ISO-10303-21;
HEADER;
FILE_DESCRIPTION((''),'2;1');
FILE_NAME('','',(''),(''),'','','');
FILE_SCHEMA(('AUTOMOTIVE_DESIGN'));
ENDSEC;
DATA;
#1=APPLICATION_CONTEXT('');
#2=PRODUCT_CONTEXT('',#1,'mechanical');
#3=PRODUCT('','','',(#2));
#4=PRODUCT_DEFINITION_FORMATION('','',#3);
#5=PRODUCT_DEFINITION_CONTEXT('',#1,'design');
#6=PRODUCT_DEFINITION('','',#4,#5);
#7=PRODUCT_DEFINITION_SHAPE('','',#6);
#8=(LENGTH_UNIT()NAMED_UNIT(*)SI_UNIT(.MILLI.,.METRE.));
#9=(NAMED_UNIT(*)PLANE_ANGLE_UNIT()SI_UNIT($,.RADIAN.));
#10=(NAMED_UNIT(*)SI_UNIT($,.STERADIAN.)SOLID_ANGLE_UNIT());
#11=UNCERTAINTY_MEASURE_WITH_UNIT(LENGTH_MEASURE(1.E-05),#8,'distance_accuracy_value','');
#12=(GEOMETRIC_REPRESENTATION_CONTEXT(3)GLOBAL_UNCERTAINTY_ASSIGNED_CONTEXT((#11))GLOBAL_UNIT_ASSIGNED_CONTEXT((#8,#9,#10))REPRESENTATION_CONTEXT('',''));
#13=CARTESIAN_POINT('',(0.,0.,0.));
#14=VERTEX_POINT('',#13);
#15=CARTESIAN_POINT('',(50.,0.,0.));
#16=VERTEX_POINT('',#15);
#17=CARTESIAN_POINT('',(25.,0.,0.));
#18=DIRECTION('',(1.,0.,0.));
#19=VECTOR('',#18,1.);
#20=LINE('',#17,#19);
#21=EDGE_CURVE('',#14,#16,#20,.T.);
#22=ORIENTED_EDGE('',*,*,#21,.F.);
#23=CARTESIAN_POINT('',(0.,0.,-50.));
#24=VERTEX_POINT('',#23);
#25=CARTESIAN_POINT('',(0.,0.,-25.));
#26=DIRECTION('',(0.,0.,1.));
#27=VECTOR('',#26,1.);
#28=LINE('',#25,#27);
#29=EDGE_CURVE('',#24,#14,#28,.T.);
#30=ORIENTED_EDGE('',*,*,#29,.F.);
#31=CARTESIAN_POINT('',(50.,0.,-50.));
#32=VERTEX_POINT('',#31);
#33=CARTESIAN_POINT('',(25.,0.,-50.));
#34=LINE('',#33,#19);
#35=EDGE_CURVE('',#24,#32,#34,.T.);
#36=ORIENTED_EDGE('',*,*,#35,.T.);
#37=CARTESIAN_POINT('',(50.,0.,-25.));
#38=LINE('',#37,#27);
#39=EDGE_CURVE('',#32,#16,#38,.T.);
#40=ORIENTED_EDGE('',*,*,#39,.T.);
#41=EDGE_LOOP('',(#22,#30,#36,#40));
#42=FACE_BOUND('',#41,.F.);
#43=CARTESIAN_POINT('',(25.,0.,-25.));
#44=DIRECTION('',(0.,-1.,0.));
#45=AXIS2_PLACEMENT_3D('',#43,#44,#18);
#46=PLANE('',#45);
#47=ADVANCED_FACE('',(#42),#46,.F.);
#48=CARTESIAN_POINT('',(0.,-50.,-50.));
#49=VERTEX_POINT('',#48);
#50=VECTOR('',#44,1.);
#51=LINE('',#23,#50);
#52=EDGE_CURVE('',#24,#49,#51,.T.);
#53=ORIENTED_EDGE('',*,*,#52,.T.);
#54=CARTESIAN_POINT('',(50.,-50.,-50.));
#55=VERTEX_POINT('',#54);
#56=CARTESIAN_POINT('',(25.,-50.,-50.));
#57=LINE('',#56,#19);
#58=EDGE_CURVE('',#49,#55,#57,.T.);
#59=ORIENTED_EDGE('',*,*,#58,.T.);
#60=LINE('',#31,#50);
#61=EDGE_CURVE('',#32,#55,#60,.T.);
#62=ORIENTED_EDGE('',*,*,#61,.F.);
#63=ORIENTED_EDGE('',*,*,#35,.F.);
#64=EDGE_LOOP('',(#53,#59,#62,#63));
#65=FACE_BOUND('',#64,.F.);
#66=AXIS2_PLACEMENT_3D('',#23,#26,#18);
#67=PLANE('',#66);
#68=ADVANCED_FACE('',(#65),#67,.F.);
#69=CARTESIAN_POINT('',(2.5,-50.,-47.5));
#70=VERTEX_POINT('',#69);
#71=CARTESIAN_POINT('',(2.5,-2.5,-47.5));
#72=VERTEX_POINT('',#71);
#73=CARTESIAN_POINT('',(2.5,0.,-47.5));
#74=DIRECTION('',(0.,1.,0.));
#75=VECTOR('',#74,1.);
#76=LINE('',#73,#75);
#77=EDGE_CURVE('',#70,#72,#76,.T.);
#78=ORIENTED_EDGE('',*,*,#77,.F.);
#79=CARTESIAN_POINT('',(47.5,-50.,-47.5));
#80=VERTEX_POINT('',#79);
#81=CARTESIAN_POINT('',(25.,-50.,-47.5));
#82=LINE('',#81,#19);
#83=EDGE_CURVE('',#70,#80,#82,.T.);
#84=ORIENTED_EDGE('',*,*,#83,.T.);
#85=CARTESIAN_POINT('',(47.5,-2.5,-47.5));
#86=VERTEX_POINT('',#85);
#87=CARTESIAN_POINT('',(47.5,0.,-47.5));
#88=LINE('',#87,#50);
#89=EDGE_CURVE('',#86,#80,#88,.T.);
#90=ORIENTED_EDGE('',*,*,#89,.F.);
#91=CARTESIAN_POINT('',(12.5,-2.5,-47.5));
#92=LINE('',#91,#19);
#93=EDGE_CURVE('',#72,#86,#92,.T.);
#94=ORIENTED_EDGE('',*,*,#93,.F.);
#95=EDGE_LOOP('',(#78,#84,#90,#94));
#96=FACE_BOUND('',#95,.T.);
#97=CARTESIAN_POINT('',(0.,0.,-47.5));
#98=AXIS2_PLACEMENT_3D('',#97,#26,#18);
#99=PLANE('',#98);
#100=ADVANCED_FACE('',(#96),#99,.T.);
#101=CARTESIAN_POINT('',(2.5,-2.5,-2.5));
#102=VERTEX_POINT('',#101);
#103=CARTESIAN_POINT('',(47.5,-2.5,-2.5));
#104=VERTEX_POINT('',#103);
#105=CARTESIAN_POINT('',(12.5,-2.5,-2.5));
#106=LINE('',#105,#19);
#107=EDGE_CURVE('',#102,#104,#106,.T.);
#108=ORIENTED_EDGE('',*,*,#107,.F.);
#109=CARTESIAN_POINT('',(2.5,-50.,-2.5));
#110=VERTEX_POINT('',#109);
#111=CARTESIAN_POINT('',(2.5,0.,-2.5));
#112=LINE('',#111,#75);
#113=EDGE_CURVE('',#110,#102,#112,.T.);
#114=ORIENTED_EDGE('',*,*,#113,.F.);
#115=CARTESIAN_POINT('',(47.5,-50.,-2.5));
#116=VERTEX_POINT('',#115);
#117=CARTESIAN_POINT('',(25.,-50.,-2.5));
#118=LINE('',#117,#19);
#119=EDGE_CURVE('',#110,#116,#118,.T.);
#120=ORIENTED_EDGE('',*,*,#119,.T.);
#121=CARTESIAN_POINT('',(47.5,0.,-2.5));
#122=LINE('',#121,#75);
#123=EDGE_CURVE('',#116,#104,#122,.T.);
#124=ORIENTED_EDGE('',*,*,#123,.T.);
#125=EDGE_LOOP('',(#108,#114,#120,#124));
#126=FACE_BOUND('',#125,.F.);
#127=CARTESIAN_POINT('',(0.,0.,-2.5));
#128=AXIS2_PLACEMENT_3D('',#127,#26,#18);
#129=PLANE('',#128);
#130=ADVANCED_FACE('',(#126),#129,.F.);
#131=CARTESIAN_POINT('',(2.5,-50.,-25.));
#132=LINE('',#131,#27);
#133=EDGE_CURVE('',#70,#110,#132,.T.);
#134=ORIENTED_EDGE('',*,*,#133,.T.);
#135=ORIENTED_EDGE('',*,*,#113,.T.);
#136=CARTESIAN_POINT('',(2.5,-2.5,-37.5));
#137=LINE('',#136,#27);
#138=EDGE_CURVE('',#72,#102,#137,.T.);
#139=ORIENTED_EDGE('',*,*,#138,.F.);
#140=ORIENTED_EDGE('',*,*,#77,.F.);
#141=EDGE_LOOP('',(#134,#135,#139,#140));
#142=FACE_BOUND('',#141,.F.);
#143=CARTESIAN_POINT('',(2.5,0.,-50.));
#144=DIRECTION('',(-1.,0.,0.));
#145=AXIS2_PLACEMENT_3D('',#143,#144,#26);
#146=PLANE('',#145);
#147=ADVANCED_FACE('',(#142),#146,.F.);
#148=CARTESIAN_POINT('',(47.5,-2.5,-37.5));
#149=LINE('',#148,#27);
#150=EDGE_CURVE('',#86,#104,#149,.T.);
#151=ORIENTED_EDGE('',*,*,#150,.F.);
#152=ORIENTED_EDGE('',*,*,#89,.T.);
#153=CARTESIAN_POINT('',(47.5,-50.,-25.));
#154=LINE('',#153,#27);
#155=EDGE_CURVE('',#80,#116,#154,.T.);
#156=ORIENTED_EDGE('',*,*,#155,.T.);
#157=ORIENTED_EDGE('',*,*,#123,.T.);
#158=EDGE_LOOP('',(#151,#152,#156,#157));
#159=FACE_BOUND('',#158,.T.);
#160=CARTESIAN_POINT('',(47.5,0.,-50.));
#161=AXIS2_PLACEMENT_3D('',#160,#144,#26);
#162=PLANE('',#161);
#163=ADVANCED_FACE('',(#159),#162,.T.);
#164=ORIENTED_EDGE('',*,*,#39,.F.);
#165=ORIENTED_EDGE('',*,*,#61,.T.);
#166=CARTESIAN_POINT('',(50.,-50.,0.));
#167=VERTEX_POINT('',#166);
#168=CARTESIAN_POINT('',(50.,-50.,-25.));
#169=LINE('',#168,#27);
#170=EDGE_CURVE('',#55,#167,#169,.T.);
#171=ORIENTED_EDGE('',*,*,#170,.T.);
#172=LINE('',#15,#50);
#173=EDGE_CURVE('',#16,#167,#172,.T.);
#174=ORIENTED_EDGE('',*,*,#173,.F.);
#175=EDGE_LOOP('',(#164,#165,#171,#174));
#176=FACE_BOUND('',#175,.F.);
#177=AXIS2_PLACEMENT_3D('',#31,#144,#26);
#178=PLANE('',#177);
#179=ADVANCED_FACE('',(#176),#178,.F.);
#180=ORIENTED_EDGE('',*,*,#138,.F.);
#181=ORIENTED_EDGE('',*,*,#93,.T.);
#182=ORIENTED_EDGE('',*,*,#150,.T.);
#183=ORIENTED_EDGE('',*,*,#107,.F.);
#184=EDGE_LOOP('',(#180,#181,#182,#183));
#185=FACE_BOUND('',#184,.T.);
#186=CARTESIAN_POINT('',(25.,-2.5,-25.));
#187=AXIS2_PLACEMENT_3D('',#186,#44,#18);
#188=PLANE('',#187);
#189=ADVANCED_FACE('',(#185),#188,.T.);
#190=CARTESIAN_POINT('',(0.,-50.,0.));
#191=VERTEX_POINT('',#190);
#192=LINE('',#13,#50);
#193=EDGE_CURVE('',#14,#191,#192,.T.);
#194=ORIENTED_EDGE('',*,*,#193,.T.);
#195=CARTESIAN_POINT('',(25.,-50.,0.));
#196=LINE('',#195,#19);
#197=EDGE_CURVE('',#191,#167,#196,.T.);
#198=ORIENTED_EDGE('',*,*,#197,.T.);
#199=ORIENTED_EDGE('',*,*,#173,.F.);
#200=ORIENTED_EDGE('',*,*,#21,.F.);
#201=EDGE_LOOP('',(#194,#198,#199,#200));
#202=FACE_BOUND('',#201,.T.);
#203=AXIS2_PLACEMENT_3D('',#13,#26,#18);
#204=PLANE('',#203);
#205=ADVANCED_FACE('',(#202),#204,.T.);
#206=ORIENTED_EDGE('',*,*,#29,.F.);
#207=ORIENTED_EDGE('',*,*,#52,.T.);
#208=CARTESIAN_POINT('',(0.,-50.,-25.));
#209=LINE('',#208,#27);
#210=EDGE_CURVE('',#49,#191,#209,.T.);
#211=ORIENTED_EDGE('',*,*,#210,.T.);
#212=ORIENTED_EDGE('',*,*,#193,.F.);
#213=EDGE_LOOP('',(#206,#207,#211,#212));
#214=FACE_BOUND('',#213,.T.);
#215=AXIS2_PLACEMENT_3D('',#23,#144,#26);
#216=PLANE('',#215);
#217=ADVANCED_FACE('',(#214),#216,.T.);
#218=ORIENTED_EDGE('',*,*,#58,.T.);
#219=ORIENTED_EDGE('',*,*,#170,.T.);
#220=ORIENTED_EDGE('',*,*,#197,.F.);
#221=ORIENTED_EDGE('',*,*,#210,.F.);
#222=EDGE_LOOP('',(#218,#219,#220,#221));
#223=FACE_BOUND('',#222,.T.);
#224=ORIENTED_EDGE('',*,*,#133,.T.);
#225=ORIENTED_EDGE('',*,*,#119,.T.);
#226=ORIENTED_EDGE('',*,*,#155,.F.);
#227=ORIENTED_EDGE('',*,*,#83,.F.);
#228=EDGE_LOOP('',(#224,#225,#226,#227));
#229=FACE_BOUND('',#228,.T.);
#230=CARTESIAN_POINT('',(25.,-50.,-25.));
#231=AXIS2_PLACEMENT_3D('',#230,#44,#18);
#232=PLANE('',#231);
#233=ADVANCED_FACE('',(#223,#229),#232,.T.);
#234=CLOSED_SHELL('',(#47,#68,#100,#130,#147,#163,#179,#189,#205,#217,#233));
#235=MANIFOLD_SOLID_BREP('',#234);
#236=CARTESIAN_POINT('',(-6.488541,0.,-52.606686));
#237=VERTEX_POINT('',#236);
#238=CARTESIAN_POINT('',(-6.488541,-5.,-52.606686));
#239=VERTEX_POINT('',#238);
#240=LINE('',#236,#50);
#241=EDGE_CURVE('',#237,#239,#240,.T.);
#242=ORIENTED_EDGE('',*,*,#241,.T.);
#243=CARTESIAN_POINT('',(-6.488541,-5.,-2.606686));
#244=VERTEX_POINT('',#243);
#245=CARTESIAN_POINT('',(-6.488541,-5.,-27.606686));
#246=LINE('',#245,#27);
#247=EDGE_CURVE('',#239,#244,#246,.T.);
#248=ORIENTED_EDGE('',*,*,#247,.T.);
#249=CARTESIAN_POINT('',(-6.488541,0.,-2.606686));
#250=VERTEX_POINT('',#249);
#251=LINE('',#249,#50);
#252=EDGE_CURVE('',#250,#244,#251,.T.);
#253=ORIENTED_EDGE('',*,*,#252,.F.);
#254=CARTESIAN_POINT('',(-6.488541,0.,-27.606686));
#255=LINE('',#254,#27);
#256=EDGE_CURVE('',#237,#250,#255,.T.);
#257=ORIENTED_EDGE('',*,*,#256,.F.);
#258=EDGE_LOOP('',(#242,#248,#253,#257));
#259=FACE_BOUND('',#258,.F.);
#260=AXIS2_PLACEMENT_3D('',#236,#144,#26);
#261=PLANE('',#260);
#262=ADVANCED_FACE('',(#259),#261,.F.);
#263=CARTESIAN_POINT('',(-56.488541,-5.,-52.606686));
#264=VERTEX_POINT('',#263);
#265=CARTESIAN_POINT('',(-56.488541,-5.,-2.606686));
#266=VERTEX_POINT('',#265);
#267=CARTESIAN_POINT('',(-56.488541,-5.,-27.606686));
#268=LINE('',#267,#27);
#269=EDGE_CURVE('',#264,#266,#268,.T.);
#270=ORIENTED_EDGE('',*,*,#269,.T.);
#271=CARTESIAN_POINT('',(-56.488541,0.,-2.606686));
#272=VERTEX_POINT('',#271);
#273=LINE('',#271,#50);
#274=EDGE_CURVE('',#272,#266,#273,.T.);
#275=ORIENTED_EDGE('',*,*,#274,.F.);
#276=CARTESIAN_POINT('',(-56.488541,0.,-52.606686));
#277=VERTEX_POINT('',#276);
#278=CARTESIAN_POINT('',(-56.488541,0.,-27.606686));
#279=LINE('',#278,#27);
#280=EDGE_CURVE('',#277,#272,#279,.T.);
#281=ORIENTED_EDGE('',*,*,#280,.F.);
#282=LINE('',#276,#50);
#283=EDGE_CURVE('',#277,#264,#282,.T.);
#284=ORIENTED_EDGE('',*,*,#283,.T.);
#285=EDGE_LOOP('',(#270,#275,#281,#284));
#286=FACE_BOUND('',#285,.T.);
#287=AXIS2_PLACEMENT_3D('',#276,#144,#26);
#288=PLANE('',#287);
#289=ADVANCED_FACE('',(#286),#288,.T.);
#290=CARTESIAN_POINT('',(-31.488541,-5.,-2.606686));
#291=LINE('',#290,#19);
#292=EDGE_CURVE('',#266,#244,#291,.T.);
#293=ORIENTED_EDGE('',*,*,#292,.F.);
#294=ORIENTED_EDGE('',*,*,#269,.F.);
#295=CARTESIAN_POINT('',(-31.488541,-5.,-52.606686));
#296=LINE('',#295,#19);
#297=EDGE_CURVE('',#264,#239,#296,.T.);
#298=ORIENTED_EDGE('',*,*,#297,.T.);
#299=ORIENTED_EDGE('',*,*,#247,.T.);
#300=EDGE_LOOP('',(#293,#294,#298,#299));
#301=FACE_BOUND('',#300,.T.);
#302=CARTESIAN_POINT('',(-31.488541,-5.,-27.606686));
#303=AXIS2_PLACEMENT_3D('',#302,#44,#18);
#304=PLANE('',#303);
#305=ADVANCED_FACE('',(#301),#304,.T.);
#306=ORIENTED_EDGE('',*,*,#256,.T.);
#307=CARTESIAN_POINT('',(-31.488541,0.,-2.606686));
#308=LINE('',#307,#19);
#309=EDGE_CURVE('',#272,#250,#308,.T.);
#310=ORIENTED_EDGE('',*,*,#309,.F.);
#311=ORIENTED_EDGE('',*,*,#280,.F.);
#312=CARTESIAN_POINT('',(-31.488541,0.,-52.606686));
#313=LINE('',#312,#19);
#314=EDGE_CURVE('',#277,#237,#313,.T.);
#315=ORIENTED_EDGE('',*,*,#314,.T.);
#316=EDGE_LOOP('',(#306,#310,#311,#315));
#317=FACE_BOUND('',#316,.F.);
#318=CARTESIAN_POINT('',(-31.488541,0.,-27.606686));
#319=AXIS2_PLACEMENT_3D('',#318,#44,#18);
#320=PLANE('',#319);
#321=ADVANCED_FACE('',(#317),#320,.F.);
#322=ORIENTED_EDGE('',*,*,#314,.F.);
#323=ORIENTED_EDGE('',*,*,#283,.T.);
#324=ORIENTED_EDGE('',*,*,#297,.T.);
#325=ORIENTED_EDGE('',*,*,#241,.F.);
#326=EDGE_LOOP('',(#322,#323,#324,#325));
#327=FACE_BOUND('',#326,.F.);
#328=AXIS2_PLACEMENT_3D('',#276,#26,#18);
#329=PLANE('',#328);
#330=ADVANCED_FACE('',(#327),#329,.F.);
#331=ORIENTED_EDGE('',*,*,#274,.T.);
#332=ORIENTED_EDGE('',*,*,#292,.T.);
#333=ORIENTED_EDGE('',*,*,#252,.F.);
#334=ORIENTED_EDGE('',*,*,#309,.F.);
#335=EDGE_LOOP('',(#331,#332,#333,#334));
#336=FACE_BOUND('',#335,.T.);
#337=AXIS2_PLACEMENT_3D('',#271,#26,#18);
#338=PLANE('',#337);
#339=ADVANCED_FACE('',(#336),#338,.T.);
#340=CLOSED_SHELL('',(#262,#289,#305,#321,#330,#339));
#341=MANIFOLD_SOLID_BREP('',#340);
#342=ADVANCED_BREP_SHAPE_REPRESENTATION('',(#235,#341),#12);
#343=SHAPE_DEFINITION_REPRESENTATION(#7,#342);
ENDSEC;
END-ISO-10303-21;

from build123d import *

# Parameters (mm, degrees)
F0_W     = 50
F0_H     = 50
F1_DEPTH = 50
F2_DEPTH = 50
F3_T     = -2.5
F4_W     = 50
F4_H     = 50
F5_DEPTH = 5


with BuildPart() as f1:
    # F0 (on Front) → F1 (new body)
    with BuildSketch(Plane.XZ):
        with Locations((25, -25)):
            Rectangle(F0_W, F0_H)
    extrude(amount=F1_DEPTH)

    # F0 (on Front) → F2 (join)
    with BuildSketch(Plane.XZ):
        with Locations((25, -25)):
            Rectangle(F0_W, F0_H)
    extrude(amount=F2_DEPTH)

    # F3
    f3_openings = [f1.faces().sort_by_distance(p)[0] for p in [
        (25, -50, -25),
    ]]
    offset(amount=F3_T, openings=f3_openings)


with BuildPart() as f5:
    # F4 (on Front) → F5 (new body)
    with BuildSketch(Plane.XZ):
        with Locations((-31.488541, -27.606686)):
            Rectangle(F4_W, F4_H)
    extrude(amount=F5_DEPTH)


solid = Compound([f1.part, f5.part])
